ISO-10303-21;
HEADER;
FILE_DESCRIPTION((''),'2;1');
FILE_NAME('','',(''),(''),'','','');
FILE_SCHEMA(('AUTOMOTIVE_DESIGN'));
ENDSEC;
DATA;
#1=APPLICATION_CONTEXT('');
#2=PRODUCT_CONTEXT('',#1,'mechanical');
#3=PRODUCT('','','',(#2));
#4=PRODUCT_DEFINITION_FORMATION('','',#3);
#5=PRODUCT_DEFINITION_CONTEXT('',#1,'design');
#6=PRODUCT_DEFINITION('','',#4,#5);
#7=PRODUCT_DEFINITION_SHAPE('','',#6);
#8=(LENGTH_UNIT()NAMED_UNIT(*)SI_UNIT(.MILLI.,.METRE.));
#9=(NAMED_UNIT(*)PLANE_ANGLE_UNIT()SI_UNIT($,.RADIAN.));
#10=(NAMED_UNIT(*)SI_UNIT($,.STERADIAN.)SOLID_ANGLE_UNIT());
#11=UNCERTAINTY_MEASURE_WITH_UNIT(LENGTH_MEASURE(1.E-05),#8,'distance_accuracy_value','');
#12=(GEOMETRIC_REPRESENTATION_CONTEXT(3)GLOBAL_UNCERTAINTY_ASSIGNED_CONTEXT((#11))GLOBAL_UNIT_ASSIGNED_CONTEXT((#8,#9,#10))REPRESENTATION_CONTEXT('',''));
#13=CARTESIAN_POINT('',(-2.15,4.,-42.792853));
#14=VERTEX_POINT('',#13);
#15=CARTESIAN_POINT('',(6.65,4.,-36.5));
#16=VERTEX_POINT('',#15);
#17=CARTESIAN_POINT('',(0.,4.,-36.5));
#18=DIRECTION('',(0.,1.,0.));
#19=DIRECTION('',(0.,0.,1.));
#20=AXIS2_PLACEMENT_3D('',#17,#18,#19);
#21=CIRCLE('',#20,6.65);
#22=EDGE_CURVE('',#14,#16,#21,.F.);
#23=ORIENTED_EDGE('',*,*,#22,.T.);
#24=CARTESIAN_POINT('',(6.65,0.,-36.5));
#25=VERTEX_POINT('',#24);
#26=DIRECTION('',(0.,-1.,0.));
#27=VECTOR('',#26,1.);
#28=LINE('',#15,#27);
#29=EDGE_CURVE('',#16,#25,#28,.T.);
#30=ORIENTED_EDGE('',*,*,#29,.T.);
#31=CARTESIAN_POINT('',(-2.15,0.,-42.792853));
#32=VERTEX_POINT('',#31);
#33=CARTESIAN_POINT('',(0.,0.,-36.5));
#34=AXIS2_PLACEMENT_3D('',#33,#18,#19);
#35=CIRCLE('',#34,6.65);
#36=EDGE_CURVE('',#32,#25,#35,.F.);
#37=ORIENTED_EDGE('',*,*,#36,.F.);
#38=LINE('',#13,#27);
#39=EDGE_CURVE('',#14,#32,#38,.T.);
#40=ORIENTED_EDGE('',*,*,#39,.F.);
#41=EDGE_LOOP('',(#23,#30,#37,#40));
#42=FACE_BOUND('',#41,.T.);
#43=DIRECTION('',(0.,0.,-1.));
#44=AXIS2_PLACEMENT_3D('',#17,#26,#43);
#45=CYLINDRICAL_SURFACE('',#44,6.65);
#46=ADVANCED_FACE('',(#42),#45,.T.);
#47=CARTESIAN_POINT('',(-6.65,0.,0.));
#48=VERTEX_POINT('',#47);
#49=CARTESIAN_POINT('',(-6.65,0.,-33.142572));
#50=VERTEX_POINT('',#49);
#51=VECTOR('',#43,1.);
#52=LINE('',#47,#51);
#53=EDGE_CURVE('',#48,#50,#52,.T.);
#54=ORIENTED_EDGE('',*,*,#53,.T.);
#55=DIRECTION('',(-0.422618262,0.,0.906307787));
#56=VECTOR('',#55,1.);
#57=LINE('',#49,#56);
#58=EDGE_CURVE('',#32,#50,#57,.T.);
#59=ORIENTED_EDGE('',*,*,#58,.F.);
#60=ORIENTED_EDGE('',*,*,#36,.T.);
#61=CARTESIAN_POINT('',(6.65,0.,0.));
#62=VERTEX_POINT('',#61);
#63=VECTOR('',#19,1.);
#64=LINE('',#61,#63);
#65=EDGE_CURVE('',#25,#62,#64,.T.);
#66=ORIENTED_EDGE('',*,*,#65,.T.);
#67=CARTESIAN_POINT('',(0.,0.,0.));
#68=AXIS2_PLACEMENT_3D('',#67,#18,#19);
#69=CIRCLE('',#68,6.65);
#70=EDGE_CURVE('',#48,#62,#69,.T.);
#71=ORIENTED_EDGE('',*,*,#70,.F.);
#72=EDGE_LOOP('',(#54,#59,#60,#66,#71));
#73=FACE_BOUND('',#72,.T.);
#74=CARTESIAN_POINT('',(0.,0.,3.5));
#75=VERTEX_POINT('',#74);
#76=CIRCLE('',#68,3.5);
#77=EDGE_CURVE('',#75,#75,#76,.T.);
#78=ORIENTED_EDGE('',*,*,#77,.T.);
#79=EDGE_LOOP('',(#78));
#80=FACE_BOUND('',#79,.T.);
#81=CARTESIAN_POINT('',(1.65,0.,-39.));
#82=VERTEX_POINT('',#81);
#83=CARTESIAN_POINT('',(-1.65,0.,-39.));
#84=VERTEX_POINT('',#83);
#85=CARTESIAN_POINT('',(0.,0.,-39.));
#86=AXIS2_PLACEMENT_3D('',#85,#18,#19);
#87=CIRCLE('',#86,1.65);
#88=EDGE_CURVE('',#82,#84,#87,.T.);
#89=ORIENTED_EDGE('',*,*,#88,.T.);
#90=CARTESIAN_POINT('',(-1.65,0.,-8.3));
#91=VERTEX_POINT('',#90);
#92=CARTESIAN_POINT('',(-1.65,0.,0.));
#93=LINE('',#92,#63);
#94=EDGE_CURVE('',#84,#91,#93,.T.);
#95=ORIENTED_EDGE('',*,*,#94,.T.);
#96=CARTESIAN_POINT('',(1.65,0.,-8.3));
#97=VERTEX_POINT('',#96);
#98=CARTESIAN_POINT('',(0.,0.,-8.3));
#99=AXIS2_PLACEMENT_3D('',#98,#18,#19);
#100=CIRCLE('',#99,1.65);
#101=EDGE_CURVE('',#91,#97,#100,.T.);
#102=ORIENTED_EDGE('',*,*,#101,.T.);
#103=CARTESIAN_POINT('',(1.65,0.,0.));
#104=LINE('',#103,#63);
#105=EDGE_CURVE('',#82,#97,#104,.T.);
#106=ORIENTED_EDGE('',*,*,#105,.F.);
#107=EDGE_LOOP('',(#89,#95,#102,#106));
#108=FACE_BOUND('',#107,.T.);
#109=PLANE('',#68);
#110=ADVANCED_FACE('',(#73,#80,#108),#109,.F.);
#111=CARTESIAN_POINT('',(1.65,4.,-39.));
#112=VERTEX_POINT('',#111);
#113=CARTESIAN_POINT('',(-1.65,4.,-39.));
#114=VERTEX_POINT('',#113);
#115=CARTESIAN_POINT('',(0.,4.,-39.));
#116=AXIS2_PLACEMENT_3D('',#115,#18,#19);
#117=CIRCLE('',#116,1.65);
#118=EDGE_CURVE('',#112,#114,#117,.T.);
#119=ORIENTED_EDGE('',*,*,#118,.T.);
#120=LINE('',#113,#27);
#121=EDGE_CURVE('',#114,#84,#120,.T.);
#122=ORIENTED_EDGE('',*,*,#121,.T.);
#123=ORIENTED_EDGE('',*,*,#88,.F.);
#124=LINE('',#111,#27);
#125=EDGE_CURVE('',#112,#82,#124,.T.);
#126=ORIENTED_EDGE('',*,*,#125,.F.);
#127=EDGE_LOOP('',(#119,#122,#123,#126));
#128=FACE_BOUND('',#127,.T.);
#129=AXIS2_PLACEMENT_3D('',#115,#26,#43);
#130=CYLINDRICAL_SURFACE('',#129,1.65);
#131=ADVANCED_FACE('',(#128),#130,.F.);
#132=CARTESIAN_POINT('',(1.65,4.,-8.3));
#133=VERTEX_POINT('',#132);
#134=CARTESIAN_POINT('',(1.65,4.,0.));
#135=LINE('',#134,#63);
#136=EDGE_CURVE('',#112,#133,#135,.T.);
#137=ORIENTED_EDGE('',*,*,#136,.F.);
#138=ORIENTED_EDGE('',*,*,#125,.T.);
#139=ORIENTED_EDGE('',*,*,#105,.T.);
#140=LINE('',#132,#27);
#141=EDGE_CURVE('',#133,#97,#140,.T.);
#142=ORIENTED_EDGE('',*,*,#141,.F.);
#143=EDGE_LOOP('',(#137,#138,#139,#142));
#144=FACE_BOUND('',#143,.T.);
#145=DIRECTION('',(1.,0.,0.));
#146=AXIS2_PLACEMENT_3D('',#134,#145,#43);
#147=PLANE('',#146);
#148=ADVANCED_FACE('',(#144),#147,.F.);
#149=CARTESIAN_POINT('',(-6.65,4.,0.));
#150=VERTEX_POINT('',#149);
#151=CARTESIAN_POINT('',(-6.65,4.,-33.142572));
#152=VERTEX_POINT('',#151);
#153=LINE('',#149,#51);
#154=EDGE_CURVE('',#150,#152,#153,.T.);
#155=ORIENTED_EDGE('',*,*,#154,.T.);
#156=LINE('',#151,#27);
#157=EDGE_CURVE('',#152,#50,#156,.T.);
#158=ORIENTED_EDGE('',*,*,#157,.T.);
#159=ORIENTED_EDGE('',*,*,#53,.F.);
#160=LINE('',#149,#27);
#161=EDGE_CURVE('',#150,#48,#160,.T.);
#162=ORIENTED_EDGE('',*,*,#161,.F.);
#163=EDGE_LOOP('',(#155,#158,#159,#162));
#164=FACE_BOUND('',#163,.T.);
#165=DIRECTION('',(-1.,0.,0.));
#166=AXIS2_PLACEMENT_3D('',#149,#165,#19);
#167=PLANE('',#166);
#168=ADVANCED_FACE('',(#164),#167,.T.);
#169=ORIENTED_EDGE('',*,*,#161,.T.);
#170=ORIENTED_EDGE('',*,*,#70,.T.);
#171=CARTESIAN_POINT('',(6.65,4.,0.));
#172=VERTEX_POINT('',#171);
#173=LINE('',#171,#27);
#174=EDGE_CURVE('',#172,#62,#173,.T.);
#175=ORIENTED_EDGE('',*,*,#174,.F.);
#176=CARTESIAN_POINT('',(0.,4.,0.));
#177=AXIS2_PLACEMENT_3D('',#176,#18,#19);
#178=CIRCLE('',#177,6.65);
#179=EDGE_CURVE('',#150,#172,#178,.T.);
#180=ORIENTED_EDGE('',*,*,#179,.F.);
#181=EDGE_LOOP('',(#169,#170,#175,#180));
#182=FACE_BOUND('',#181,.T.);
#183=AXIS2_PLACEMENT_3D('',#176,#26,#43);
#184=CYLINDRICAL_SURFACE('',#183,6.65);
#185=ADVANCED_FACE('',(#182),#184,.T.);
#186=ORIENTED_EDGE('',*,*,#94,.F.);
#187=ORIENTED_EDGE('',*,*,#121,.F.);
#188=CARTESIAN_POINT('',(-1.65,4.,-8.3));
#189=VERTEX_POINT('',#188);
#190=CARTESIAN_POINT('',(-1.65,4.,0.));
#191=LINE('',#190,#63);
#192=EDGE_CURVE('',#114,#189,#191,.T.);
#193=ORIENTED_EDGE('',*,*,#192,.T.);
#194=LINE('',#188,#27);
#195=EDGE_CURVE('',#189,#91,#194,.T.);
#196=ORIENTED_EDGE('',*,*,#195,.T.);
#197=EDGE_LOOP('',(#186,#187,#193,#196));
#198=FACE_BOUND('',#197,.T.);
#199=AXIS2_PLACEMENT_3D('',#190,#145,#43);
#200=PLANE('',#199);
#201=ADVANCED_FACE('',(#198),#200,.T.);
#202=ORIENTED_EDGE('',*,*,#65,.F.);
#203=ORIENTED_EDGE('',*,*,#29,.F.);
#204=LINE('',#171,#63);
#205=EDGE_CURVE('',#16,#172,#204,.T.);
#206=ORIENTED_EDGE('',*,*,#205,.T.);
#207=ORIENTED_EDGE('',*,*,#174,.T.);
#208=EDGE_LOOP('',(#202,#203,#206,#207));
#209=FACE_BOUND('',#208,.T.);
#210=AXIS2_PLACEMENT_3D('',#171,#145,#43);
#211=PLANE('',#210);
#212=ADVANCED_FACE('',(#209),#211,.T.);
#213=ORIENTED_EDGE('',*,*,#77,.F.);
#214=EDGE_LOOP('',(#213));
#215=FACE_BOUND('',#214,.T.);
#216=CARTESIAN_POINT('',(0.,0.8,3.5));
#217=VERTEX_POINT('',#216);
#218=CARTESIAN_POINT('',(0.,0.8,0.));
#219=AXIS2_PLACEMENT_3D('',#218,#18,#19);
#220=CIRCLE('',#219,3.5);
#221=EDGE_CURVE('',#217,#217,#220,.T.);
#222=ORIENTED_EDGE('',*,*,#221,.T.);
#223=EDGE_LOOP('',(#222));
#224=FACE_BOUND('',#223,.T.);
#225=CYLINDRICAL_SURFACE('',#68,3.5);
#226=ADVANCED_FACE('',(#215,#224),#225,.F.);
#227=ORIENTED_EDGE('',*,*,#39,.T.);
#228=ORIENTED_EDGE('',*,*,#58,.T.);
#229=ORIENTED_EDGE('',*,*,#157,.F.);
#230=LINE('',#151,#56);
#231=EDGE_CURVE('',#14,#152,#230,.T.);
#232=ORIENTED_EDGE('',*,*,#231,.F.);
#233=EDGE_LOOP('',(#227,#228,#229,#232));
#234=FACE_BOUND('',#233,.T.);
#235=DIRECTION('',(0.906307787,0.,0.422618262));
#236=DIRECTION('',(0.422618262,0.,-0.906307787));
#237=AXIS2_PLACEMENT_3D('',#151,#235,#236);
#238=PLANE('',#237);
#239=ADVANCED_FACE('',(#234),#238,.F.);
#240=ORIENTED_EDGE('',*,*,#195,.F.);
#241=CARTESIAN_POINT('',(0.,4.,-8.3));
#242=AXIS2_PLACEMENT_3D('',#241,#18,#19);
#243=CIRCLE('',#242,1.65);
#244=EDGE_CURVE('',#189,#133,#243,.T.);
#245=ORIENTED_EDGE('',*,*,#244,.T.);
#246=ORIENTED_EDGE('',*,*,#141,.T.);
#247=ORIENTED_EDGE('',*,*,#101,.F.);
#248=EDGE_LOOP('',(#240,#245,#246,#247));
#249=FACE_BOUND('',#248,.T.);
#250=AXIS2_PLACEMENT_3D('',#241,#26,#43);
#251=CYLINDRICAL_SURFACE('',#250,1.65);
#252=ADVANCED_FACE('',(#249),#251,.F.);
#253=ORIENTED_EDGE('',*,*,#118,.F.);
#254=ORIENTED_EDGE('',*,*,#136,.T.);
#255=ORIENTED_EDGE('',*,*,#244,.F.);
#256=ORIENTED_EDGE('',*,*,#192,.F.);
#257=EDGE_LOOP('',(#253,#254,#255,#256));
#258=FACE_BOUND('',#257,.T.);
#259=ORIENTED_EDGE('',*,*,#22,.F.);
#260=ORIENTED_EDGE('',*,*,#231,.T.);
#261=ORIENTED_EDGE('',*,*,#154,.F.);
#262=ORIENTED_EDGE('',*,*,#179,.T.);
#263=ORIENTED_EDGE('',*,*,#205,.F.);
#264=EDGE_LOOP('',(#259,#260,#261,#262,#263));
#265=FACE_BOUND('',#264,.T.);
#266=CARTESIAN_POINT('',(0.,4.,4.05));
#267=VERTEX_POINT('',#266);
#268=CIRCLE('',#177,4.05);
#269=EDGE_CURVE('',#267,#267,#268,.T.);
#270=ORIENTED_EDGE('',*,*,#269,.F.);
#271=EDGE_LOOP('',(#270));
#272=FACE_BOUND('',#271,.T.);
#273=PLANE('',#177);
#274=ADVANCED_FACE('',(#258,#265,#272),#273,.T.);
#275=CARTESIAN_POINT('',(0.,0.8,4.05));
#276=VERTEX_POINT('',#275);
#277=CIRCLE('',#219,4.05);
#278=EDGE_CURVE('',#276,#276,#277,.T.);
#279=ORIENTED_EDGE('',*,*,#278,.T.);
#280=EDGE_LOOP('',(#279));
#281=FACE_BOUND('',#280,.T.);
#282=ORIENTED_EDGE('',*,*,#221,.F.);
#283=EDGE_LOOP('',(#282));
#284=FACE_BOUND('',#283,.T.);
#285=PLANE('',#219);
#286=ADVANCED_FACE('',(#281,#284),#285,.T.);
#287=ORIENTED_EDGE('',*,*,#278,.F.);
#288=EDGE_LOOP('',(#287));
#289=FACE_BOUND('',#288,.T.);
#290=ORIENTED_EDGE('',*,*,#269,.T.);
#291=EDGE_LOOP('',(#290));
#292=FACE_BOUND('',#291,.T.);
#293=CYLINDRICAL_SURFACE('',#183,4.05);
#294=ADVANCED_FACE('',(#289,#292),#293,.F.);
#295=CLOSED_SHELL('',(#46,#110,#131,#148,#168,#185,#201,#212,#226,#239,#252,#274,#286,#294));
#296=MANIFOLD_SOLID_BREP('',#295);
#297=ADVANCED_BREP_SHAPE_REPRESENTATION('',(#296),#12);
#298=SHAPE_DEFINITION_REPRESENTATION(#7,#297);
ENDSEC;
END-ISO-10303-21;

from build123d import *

# Parameters (mm, degrees)
SKETCH1_R           = 6.65
SKETCH1_R_2         = 4.05
BOSS_EXTRUDE1_DEPTH = 4
SKETCH2_R           = 4.05
BOSS_EXTRUDE2_DEPTH = 0.8
SKETCH3_R           = 3.5
CUT_EXTRUDE1_DEPTH  = 1.8
CUT_EXTRUDE2_DEPTH  = 5


with BuildPart() as part:
    # Sketch1 → Boss-Extrude1 (new body)
    with BuildSketch(Plane(origin=(0, 0, 0), x_dir=(1, 0, 0), z_dir=(0, 1, 0))):
        with BuildLine():
            Line((-6.65, 36.5), (-6.65, 0))
            ThreePointArc((-6.65, 0), (-4.702260096, 4.702260094), (-2e-09, 6.65))
            ThreePointArc((-2e-09, 6.65), (4.702260094, 4.702260096), (6.65, 0))
            Line((6.65, 0), (6.65, 36.5))
            ThreePointArc((6.65, 36.5), (0, 43.15), (-6.65, 36.5))
        make_face()
        with BuildLine():
            ThreePointArc((1.65, 8.3), (1.166726188, 7.13327381), (-2e-09, 6.65))
            ThreePointArc((-2e-09, 6.65), (-1.16672619, 7.133273812), (-1.65, 8.3))
            Line((-1.65, 8.3), (-1.65, 39))
            ThreePointArc((-1.65, 39), (0, 40.65), (1.65, 39))
            Line((1.65, 39), (1.65, 8.3))
        make_face(mode=Mode.SUBTRACT)
        Circle(SKETCH1_R)
        Circle(SKETCH1_R_2, mode=Mode.SUBTRACT)
    extrude(amount=BOSS_EXTRUDE1_DEPTH)

    # Sketch2 → Boss-Extrude2 (add)
    with BuildSketch(Plane(origin=(0, 0, 0), x_dir=(1, 0, 0), z_dir=(0, 1, 0))):
        Circle(SKETCH2_R)
    extrude(amount=BOSS_EXTRUDE2_DEPTH)

    # Sketch3 → Cut-Extrude1 (cut, through all)
    with BuildSketch(Plane(origin=(0, 0.8, 0), x_dir=(1, 0, 0), z_dir=(0, 1, 0))):
        Circle(SKETCH3_R)
    extrude(amount=-CUT_EXTRUDE1_DEPTH, mode=Mode.SUBTRACT)

    # Sketch4 → Cut-Extrude2 (cut, through all)
    with BuildSketch(Plane.XZ):
        with BuildLine():
            Line((-6.65, -33.142571947), (-2.15, -42.792853089))
            ThreePointArc((-2.15, -42.792853089), (-5.409251335, -40.368139087), (-6.65, -36.5))
            Line((-6.65, -36.5), (-6.65, -33.142571947))
        make_face()
    extrude(amount=-CUT_EXTRUDE2_DEPTH, mode=Mode.SUBTRACT)


solid = part.part
